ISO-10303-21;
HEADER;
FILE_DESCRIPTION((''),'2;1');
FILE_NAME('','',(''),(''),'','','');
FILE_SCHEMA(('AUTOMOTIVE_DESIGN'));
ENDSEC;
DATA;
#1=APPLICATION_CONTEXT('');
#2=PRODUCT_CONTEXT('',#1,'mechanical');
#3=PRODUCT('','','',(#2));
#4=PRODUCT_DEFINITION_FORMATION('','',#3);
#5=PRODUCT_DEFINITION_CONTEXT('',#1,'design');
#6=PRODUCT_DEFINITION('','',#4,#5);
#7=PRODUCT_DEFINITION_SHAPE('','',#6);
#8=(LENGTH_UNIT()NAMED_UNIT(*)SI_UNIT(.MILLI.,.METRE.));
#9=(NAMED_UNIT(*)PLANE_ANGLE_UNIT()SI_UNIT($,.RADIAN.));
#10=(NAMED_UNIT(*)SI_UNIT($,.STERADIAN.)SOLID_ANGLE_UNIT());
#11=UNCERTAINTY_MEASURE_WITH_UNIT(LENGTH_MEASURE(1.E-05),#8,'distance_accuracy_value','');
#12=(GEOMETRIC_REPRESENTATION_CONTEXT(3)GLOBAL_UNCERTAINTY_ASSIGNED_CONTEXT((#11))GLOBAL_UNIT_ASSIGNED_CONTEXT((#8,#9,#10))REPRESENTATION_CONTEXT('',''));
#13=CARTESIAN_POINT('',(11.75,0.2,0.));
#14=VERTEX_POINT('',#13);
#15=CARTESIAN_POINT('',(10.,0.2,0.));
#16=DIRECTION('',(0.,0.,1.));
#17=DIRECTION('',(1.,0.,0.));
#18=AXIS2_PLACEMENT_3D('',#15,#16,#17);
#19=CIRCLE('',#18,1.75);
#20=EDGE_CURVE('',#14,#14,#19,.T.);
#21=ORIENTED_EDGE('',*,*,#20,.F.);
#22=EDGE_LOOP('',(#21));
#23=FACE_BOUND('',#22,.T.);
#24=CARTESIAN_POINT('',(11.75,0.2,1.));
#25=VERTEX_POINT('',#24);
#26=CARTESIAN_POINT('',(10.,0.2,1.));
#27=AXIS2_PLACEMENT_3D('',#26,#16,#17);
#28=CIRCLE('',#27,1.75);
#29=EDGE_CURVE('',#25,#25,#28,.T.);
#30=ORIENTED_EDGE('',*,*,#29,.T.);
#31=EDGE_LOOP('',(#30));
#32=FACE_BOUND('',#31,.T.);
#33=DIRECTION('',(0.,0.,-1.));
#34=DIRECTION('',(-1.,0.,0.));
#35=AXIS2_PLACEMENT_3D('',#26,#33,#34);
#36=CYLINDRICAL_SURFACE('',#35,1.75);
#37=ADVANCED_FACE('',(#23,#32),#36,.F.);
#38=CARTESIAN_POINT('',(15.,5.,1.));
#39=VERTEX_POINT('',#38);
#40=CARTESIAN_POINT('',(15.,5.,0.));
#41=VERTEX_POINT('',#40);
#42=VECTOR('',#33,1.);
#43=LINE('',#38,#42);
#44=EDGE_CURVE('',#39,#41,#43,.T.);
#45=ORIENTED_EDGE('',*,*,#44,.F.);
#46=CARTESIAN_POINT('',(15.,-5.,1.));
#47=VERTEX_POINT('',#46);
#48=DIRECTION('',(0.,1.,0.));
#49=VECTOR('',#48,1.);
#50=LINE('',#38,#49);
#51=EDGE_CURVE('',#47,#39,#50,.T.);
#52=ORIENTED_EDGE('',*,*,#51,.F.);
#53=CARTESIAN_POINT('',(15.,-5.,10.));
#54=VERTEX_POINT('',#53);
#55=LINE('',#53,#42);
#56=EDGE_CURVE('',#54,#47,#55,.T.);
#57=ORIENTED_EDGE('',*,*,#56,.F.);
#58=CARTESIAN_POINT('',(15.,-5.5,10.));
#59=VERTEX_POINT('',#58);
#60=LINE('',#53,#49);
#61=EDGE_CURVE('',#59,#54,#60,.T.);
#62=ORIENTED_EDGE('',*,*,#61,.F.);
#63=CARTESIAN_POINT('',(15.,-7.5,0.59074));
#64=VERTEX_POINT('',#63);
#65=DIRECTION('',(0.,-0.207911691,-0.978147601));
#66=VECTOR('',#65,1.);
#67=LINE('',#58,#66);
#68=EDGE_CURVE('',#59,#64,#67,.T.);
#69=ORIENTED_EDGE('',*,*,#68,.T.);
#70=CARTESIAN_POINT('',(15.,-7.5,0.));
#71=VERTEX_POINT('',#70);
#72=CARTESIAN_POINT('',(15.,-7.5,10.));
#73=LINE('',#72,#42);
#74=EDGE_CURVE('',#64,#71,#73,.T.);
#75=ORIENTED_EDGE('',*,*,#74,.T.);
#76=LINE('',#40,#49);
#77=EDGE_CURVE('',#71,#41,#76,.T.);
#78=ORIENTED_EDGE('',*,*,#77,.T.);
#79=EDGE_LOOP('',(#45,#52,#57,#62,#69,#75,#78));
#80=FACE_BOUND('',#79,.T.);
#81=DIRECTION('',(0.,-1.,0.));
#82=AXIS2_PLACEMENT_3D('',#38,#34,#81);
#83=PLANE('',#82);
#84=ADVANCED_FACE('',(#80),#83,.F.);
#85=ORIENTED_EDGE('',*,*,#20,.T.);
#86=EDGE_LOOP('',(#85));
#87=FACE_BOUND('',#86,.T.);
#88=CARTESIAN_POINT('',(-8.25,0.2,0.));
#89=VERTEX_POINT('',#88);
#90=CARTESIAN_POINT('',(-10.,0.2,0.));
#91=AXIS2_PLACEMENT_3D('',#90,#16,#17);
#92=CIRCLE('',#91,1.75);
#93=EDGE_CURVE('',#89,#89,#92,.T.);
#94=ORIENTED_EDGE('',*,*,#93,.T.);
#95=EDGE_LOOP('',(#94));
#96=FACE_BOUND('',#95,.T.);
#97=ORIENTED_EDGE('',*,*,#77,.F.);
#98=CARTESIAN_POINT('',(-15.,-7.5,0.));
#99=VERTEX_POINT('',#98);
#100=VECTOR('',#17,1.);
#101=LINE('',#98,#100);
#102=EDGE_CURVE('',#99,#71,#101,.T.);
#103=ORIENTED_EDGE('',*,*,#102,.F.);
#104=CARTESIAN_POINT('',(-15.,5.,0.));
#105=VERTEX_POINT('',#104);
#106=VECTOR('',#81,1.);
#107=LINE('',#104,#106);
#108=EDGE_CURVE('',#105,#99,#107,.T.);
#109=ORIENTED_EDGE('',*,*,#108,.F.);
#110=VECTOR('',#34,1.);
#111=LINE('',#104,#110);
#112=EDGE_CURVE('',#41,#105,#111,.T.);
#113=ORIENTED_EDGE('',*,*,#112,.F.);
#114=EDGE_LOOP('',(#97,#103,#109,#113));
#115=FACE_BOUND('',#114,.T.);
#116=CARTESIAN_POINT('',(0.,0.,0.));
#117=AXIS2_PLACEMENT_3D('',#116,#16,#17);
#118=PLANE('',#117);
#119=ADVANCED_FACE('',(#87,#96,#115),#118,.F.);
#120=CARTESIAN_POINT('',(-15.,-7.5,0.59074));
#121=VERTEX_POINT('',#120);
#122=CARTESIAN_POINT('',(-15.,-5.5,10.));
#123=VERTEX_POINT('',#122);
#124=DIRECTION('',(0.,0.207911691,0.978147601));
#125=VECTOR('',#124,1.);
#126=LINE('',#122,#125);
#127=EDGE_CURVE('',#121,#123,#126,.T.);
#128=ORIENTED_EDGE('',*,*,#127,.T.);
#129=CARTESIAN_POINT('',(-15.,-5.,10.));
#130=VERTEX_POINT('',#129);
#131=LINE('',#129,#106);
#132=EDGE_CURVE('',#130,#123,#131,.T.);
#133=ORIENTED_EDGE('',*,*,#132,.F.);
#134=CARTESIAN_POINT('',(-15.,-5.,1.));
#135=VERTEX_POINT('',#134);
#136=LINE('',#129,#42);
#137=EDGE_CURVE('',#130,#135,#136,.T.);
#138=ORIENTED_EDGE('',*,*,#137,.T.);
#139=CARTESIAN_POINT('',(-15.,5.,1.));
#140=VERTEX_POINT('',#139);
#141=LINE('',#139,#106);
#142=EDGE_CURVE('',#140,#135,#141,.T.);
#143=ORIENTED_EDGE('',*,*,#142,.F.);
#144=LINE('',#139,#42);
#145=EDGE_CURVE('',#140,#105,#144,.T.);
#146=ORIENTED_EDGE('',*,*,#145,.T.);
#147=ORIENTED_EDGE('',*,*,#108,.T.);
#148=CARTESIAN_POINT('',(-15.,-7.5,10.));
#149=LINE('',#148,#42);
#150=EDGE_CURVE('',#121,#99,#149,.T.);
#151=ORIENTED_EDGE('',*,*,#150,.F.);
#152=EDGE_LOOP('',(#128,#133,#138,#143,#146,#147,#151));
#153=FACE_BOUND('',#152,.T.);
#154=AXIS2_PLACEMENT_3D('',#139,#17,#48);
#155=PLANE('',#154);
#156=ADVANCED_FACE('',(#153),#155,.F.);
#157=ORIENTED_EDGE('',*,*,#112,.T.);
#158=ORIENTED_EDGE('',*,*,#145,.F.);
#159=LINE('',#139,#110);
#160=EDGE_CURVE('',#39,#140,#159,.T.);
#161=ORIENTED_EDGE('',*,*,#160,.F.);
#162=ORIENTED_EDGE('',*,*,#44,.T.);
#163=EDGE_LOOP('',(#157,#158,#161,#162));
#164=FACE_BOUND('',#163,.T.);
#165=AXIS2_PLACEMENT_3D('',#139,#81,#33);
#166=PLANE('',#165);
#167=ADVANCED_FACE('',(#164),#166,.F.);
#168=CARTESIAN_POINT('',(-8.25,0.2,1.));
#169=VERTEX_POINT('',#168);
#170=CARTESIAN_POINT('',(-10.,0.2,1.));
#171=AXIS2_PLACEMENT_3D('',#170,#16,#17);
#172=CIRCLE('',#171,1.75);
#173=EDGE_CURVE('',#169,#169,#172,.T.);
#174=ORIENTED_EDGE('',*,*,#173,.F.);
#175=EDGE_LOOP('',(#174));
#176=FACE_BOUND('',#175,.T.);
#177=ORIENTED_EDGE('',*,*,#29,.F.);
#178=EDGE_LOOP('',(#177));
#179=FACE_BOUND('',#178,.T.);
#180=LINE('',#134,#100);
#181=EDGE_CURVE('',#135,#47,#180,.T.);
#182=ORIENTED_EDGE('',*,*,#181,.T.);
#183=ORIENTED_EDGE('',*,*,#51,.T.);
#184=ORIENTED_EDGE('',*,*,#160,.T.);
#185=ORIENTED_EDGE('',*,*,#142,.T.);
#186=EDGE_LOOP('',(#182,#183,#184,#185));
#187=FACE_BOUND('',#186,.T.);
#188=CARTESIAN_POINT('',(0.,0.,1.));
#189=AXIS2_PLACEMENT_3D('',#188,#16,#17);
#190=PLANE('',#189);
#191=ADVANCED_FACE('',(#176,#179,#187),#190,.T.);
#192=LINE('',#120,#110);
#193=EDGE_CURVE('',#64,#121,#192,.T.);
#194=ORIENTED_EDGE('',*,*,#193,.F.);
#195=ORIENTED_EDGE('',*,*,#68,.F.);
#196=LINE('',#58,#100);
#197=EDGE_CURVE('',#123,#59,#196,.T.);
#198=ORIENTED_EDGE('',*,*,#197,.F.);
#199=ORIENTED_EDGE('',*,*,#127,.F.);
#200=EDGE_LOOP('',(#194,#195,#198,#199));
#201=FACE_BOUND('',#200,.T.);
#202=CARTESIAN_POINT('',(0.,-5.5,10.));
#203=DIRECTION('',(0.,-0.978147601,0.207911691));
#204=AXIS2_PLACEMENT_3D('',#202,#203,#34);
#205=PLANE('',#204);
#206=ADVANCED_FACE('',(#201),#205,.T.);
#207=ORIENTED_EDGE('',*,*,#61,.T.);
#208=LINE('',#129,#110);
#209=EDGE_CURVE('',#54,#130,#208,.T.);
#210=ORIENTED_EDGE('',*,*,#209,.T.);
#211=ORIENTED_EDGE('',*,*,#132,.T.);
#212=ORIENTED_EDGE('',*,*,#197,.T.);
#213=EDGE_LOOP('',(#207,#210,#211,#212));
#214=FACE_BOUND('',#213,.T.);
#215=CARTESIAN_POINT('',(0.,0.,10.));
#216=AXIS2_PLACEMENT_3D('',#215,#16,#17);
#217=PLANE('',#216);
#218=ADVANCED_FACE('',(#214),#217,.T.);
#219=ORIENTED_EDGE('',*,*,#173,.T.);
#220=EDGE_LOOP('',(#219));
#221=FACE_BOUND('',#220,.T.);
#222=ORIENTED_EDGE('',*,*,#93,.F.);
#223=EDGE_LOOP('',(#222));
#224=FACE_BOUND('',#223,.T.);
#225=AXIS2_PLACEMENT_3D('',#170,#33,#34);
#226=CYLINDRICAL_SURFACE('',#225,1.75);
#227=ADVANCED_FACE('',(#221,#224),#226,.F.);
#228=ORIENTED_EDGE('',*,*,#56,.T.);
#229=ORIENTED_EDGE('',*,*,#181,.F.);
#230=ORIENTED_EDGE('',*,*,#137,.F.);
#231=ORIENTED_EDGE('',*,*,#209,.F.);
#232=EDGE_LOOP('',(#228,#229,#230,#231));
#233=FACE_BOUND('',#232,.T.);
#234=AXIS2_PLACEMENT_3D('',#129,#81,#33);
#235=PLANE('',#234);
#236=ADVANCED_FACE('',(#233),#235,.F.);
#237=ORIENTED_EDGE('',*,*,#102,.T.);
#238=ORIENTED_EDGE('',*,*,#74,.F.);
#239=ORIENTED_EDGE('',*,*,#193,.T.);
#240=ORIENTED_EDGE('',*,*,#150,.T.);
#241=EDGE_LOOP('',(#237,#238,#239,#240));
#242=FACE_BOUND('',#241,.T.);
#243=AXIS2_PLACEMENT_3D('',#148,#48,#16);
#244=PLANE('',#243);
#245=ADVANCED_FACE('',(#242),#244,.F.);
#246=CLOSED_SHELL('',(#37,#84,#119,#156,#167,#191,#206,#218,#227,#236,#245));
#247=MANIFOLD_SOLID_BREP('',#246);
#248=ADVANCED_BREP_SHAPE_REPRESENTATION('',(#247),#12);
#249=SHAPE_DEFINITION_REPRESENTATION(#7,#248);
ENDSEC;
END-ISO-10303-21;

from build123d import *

# Parameters (mm, degrees)
SKETCH1_W           = 30
SKETCH1_H           = 10
SKETCH1_R           = 1.75
BOSS_EXTRUDE1_DEPTH = 1
SKETCH2_W           = 30
SKETCH2_H           = 2.5
BOSS_EXTRUDE2_DEPTH = 10
CHAMFER1_SIZE       = 2
CHAMFER1_SIZE2      = 9.409260219


with BuildPart() as part:
    # Sketch1 → Boss-Extrude1 (new body)
    with BuildSketch(Plane.XY):
        Rectangle(SKETCH1_W, SKETCH1_H)
        with Locations((-10, 0.2)):
            Circle(SKETCH1_R, mode=Mode.SUBTRACT)
        with Locations((10, 0.2)):
            Circle(SKETCH1_R, mode=Mode.SUBTRACT)
    extrude(amount=BOSS_EXTRUDE1_DEPTH)

    # Sketch2 → Boss-Extrude2 (add)
    with BuildSketch(Plane.XY):
        with Locations((0, -6.25)):
            Rectangle(SKETCH2_W, SKETCH2_H)
    extrude(amount=BOSS_EXTRUDE2_DEPTH)

    # Chamfer1
    chamfer1_edges = [part.edges().sort_by_distance(p)[0] for p in [
        (0, -7.5, 10),
    ]]
    chamfer1_side = [part.faces().sort_by_distance(p)[0] for p in [
        (0, -6.25, 10),
    ]]
    chamfer(chamfer1_edges, length=CHAMFER1_SIZE, length2=CHAMFER1_SIZE2, reference=chamfer1_side[0])


solid = part.part
